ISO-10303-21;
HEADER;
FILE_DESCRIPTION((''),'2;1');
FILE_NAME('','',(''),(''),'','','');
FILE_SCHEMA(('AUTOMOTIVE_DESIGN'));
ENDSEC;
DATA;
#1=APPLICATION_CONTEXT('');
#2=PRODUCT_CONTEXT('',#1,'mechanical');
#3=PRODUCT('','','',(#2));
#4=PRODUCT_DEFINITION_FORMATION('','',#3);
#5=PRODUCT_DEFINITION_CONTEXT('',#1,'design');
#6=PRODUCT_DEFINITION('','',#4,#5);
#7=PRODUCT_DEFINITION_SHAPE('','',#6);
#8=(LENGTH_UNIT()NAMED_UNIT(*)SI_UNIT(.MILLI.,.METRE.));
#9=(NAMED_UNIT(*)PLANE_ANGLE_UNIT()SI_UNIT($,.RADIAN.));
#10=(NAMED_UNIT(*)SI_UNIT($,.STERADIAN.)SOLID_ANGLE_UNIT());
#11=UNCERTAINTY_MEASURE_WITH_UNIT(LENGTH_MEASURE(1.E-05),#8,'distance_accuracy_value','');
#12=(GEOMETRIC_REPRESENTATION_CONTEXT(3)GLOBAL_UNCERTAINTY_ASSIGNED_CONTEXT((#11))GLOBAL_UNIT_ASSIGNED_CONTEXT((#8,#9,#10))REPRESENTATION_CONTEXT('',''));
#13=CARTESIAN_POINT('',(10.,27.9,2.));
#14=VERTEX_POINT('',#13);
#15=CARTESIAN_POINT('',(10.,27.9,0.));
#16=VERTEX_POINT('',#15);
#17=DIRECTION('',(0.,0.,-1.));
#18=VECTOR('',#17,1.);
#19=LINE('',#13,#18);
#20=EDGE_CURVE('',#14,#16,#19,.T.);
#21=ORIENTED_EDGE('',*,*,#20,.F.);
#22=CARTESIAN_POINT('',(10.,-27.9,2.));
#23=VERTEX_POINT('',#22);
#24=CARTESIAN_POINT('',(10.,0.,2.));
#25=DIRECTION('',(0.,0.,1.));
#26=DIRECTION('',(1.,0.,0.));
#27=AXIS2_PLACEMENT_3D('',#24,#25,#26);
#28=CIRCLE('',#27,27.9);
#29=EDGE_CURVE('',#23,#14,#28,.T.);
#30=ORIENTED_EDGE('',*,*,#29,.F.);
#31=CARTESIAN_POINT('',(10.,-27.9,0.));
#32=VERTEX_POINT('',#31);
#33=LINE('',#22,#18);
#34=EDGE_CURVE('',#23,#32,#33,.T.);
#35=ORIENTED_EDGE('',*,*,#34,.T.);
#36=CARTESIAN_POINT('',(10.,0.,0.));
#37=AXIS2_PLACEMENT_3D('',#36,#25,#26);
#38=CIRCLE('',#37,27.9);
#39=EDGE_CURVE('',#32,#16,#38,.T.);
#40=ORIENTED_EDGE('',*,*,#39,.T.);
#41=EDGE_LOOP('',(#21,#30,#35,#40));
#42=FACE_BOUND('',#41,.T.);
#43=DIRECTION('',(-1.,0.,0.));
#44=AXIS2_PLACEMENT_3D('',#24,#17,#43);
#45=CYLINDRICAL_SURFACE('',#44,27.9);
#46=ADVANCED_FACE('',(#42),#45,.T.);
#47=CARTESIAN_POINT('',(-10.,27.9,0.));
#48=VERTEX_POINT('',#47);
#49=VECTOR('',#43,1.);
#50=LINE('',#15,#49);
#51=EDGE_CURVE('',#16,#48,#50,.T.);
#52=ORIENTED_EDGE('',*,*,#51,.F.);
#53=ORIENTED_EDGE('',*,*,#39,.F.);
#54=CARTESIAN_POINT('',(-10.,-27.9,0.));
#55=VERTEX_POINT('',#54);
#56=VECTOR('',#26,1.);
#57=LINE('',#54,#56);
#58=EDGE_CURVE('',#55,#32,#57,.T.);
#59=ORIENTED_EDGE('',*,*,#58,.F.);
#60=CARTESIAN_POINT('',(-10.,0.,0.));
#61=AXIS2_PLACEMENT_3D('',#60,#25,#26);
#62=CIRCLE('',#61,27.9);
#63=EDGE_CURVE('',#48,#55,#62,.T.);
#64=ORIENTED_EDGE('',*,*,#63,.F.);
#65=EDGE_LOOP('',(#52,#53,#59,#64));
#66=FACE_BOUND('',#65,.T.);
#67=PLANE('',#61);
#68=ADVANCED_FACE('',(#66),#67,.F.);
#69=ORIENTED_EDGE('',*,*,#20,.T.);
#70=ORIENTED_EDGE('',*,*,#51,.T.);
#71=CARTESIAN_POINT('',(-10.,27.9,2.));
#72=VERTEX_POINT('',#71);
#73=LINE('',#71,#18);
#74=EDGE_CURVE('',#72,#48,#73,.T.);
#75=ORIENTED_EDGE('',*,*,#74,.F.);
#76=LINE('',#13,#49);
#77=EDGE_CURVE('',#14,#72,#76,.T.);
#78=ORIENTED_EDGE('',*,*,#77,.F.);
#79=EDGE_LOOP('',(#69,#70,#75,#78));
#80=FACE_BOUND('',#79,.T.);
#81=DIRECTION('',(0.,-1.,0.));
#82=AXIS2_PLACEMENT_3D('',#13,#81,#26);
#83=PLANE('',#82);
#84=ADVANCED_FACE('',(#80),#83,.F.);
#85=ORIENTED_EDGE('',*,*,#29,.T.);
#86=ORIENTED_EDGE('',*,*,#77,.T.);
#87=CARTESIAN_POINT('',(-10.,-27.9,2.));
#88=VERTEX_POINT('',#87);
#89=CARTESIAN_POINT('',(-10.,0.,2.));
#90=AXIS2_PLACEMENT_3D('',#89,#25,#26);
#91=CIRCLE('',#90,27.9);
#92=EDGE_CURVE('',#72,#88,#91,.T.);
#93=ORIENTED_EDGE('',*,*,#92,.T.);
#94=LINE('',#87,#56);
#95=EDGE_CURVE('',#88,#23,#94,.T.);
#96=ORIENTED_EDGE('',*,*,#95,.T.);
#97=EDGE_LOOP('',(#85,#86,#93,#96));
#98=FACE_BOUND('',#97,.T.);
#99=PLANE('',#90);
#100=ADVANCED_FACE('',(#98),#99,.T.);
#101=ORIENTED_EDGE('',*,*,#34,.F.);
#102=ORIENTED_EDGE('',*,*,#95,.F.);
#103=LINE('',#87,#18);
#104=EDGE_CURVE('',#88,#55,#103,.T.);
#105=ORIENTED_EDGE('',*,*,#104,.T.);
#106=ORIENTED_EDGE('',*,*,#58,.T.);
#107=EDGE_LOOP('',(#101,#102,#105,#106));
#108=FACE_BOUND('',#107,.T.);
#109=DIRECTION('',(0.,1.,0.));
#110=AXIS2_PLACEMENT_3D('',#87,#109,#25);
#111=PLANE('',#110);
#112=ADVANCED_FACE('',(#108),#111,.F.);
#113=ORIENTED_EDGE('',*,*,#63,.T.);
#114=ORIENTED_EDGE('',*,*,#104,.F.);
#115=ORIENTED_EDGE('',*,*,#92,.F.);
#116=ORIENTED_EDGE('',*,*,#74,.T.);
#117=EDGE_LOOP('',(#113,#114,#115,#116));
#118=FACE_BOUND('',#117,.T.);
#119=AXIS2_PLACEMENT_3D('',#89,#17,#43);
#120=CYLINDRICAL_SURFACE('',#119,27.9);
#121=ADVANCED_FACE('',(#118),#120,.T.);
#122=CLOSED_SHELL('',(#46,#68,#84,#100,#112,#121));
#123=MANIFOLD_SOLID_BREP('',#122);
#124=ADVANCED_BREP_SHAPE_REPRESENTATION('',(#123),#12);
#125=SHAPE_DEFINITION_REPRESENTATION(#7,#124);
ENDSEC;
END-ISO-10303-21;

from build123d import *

# Parameters (mm, degrees)
EXTRUDE_1_DEPTH = 2


with BuildPart() as part:
    # 草图1 → 凸台-拉伸1 (new body)
    with BuildSketch(Plane.XY):
        with BuildLine():
            Line((-10, -27.9), (10, -27.9))
            ThreePointArc((10, -27.9), (37.9, 0), (10, 27.9))
            Line((10, 27.9), (-10, 27.9))
            ThreePointArc((-10, 27.9), (-37.9, 0), (-10, -27.9))
        make_face()
    extrude(amount=EXTRUDE_1_DEPTH)


solid = part.part
